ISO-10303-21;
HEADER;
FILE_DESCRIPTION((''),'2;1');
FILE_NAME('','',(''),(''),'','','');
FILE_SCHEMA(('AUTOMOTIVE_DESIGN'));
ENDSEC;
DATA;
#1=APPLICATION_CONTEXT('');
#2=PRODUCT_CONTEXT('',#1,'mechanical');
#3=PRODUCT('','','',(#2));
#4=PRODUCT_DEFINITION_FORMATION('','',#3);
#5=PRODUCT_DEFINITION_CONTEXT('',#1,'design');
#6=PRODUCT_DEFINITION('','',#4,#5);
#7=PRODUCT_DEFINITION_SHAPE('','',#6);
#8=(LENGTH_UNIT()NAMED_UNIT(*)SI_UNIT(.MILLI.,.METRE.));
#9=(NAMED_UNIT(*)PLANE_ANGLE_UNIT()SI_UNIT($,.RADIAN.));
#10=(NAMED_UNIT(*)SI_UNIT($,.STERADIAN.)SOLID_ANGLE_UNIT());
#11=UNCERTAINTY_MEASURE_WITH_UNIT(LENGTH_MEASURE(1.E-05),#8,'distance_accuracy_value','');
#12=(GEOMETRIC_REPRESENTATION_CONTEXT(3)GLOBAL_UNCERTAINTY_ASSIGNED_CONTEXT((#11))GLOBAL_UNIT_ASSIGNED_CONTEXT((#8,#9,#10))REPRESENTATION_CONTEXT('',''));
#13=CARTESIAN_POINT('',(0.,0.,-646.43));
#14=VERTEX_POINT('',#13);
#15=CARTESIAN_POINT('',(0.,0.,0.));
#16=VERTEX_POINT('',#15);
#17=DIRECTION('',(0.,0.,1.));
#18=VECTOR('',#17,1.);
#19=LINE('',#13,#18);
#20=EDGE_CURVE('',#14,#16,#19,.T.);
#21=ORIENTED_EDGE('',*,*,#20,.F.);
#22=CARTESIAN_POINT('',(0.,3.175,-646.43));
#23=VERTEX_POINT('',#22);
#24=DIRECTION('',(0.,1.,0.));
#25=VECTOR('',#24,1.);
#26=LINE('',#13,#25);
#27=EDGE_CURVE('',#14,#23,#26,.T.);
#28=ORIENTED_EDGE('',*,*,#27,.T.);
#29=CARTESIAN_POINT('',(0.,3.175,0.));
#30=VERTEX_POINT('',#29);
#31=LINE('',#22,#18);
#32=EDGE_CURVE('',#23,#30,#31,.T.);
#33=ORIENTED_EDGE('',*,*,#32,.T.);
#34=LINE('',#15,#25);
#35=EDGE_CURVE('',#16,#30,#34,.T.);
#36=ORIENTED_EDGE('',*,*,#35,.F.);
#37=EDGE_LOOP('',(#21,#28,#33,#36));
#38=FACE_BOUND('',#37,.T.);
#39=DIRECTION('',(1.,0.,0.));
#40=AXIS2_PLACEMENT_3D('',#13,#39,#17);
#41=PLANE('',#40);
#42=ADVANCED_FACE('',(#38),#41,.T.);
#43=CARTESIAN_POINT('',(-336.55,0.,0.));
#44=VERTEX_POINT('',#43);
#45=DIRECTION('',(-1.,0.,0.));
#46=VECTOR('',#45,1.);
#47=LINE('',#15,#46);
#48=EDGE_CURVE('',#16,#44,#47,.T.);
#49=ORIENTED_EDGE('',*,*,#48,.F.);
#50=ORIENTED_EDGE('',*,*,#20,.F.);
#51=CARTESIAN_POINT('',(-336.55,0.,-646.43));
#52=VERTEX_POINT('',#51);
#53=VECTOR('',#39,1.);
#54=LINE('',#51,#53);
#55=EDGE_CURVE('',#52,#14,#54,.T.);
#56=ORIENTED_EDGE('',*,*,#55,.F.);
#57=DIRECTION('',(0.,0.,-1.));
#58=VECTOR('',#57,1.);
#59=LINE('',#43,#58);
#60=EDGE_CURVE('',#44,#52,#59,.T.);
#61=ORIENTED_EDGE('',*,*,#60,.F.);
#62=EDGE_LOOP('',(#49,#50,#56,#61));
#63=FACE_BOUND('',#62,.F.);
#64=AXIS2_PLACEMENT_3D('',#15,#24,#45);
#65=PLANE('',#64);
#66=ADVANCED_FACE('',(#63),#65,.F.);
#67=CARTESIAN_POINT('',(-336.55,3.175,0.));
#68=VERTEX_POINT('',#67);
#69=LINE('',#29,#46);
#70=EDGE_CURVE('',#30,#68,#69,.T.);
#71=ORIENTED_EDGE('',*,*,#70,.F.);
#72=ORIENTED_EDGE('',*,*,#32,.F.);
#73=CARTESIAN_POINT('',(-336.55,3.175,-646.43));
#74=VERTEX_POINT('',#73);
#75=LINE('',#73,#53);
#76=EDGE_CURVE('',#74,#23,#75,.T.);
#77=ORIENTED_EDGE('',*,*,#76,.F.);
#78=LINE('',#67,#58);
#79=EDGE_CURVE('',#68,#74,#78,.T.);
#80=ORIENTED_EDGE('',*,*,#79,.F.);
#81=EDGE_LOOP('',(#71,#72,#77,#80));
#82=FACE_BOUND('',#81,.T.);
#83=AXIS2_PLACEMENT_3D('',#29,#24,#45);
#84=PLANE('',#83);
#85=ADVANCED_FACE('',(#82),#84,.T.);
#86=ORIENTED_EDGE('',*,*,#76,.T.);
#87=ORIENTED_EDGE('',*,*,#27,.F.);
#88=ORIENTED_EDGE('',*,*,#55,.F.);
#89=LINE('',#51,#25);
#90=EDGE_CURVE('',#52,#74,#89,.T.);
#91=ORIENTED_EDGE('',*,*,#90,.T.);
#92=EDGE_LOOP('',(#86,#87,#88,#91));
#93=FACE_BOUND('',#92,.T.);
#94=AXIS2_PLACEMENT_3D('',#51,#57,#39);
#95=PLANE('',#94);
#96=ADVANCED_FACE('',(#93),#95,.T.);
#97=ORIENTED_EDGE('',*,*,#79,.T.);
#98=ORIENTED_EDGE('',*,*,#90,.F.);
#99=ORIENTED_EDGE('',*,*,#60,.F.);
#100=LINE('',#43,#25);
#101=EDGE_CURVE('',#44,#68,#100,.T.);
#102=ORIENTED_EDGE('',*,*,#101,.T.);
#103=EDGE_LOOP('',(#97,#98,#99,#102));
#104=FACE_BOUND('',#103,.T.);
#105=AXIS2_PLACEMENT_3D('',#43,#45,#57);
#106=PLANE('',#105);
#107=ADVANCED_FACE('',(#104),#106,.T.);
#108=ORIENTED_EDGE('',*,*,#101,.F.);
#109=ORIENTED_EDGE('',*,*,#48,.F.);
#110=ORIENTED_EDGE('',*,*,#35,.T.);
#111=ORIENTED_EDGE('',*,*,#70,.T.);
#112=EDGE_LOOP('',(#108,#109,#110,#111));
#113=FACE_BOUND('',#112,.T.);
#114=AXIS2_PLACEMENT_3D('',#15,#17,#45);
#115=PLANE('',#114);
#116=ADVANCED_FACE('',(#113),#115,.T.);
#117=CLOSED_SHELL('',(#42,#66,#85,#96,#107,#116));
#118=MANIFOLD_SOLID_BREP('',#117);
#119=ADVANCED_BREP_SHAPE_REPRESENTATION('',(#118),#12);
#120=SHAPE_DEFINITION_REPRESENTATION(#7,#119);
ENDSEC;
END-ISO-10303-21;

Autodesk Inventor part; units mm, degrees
ref_plane "YZ Plane" through (0, 0, 0) normal (1, 0, 0) x (0, 1, 0)
ref_plane "XZ Plane" through (0, 0, 0) normal (0, 1, 0) x (-1, 0, 0)
ref_plane "XY Plane" through (0, 0, 0) normal (0, 0, 1) x (1, 0, 0)
sketch "Sketch1" plane through (0, 0, 0) normal (0, 1, 0) x (-1, 0, 0)
  line L0 (0, 0) -> (336.55, 0)
  line L1 (336.55, 0) -> (336.55, -646.43)
  line L2 (336.55, -646.43) -> (0, -646.43)
  line L3 (0, -646.43) -> (0, 0)
  dimension "d0" = 336.55
  dimension "d1" = 646.43
extrude "Extrusion1" add sketch "Sketch1" along normal blind 3.175
properties part number "Shingle_With_Dimensions_13.25_x_25.45_Inches"
